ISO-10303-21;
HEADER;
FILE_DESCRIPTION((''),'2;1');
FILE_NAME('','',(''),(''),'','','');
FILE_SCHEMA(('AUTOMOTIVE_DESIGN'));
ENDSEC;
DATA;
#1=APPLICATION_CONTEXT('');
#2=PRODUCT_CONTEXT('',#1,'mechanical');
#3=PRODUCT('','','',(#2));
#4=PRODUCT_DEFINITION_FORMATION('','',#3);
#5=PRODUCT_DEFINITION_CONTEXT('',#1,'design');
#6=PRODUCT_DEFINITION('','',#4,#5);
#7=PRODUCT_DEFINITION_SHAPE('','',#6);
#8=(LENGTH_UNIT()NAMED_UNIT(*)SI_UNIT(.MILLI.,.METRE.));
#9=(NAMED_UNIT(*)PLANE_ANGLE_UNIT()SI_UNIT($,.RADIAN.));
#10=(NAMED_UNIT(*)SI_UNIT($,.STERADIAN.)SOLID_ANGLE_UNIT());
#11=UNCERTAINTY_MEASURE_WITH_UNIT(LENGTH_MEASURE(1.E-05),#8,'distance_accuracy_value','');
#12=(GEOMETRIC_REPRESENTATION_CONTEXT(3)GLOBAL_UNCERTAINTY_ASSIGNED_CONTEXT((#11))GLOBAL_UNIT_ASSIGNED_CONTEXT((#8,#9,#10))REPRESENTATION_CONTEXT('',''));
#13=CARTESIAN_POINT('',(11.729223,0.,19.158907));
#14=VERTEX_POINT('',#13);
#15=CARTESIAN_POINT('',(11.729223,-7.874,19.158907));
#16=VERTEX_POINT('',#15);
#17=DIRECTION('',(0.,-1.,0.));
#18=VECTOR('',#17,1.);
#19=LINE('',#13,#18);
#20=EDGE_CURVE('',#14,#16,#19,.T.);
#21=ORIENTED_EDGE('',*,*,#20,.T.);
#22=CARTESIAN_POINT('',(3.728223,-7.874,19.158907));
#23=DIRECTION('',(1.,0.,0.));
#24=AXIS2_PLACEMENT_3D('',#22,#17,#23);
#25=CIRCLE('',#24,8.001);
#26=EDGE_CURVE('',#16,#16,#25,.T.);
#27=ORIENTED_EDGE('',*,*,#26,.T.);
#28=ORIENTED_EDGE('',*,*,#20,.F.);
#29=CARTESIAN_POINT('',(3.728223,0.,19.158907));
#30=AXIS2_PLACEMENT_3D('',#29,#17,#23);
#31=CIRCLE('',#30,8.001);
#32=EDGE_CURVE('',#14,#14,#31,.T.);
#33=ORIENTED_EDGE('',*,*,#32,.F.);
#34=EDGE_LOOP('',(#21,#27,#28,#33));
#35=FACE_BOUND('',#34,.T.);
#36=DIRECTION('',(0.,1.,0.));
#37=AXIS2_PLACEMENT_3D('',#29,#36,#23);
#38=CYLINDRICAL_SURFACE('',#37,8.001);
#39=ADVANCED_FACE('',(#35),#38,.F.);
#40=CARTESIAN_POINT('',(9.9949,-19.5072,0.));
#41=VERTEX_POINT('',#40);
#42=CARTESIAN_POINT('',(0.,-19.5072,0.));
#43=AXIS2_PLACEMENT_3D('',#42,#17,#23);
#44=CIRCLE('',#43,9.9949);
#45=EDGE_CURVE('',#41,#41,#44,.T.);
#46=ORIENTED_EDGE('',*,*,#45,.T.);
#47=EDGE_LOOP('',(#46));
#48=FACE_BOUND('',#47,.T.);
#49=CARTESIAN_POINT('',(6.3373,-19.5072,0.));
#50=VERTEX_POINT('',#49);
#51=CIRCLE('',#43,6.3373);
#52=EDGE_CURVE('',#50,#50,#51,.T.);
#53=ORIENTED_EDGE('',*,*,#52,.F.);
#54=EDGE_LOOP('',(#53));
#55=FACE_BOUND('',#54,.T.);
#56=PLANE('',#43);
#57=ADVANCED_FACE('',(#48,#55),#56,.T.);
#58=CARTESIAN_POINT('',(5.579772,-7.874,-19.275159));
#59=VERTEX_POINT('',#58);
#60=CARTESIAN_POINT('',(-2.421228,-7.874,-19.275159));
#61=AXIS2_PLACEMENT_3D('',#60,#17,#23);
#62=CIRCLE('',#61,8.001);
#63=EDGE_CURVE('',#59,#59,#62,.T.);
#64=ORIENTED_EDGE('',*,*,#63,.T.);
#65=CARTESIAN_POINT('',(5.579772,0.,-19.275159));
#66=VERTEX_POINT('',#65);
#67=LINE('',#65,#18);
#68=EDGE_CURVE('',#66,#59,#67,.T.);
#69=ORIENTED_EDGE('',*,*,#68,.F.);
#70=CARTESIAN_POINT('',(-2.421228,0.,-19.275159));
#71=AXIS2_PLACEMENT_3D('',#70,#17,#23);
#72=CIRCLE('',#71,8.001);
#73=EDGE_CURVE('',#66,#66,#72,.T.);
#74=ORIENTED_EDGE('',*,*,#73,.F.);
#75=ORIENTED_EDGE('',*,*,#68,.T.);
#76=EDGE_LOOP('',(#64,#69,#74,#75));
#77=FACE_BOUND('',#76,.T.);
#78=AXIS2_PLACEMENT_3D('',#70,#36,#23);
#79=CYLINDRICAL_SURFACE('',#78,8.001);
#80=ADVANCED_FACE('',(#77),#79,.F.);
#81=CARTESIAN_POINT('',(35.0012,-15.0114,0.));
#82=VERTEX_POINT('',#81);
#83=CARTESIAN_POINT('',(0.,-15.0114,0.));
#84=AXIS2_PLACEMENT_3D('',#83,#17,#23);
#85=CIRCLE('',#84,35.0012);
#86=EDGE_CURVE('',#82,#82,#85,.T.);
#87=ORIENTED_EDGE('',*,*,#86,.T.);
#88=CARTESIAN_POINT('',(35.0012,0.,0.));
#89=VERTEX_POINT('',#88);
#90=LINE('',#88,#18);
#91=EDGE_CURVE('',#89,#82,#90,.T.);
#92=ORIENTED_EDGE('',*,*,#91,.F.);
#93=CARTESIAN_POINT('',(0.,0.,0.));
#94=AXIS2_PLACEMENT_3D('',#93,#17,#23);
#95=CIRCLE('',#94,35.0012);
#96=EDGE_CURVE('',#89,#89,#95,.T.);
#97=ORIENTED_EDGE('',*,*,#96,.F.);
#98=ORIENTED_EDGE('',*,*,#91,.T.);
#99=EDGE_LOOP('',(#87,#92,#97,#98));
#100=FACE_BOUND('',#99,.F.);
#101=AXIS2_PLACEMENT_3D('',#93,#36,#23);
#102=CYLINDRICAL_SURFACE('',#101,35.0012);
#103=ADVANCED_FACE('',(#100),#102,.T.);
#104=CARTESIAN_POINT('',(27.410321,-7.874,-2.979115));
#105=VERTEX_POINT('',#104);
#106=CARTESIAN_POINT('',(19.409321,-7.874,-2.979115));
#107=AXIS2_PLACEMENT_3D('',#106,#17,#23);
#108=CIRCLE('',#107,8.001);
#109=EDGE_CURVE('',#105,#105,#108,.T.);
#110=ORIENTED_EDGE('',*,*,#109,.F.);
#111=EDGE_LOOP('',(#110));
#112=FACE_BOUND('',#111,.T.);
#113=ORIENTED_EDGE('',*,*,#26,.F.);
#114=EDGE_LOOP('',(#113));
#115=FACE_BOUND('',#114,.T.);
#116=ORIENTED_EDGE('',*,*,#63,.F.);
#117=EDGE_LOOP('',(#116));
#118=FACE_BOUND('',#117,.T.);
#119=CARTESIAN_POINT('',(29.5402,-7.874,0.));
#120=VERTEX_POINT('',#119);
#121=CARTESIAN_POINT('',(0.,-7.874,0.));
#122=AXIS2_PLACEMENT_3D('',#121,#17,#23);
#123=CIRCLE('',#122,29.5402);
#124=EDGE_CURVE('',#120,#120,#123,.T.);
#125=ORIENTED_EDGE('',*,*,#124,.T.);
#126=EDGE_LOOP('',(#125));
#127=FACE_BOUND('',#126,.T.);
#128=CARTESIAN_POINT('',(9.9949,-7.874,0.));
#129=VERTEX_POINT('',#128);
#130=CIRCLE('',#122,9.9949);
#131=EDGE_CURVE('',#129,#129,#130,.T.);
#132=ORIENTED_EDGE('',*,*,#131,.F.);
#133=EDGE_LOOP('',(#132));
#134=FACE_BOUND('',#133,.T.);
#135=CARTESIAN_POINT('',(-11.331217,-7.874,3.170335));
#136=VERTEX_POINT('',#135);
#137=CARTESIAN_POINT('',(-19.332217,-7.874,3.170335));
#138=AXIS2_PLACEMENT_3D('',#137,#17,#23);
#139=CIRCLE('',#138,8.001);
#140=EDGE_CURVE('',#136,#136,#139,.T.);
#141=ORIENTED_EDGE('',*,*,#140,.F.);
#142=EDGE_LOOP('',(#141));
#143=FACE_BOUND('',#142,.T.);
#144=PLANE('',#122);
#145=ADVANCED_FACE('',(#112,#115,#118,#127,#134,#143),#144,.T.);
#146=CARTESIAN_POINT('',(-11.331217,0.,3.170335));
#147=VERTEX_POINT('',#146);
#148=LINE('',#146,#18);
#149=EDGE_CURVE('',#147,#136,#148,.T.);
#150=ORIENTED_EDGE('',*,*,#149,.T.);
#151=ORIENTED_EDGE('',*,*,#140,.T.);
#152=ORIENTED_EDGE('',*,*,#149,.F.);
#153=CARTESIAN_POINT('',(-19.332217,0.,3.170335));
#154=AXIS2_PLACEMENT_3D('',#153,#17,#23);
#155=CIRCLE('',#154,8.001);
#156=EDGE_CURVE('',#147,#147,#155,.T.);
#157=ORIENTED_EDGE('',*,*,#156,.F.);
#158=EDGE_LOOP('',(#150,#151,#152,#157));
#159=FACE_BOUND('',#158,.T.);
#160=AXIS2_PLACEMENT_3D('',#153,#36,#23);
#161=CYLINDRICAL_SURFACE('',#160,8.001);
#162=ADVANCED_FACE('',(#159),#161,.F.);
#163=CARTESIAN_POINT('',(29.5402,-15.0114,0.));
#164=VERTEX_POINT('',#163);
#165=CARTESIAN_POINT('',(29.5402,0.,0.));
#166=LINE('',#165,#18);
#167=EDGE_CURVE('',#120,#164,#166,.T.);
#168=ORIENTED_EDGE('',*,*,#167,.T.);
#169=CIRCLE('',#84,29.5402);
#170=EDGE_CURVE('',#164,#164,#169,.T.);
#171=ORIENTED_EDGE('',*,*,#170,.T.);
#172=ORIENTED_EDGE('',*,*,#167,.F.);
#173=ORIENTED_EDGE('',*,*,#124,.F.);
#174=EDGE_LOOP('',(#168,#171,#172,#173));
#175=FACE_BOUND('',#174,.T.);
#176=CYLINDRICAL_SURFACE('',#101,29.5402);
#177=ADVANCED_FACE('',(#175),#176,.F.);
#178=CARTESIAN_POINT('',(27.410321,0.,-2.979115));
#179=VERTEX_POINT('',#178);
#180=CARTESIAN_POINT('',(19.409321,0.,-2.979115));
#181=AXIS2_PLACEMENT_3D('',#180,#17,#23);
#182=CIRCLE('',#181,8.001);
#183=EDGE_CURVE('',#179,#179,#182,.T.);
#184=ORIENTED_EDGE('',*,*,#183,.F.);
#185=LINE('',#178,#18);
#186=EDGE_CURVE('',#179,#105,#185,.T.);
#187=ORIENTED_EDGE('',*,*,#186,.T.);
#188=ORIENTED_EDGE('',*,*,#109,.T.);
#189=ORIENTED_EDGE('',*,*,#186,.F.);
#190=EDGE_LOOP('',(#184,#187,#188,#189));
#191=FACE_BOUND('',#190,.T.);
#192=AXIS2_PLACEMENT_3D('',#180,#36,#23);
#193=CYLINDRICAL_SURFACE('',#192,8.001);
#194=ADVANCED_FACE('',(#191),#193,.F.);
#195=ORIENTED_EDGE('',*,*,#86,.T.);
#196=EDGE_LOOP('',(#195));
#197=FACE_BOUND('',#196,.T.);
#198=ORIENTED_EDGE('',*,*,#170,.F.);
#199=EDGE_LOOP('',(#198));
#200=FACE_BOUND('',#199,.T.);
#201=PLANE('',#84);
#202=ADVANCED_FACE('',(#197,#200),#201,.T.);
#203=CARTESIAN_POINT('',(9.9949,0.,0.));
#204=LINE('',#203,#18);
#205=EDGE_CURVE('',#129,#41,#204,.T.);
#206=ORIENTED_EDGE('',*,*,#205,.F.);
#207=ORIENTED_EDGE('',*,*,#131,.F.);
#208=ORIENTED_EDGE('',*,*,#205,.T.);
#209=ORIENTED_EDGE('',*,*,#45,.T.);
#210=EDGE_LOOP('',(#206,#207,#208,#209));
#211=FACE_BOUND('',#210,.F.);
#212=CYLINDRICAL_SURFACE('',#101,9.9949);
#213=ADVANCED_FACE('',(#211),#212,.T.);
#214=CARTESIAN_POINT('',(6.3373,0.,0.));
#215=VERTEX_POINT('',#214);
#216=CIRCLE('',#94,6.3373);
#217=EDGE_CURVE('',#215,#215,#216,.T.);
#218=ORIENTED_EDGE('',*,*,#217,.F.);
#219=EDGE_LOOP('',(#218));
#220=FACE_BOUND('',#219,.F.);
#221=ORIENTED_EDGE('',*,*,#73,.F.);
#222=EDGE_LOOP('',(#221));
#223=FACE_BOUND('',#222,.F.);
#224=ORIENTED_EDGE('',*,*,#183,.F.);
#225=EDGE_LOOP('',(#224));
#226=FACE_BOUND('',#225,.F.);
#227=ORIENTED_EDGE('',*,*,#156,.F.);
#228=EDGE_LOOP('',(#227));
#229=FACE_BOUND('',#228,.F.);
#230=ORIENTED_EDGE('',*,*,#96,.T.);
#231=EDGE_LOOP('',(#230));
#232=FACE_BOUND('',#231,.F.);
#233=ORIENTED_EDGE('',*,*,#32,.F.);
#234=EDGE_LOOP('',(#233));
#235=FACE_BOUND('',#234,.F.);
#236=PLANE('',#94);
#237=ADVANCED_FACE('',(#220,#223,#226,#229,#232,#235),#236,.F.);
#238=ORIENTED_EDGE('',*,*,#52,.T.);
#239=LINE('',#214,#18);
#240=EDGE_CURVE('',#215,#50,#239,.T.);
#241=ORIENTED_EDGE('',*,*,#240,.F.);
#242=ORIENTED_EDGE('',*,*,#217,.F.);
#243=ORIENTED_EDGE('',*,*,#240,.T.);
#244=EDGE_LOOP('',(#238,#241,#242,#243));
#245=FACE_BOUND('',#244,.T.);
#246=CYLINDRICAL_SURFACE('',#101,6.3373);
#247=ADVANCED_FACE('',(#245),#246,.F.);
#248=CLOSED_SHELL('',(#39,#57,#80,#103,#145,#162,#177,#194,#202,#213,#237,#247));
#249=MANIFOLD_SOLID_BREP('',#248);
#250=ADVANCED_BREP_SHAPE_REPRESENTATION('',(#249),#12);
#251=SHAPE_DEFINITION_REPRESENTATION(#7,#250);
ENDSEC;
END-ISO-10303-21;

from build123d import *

# Parameters (mm, degrees)
F0_R     = 9.9949
F0_R_2   = 6.3373
F1_DEPTH = 19.5072
F0_R_3   = 29.5402
F0_R_4   = 8.001
F2_DEPTH = 7.874
F0_R_5   = 35.0012
F3_DEPTH = 15.0114


with BuildPart() as f1:
    # F0 (on Front) → F1 (new body)
    with BuildSketch(Plane.XZ):
        Circle(F0_R)
        Circle(F0_R_2, mode=Mode.SUBTRACT)
    extrude(amount=F1_DEPTH)

    # F0 (on Front) → F2 (join)
    with BuildSketch(Plane.XZ):
        Circle(F0_R_3)
        with Locations((-2.421228, -19.275159)):
            Circle(F0_R_4, mode=Mode.SUBTRACT)
        with Locations((19.409321, -2.979115)):
            Circle(F0_R_4, mode=Mode.SUBTRACT)
        with Locations((-19.332217, 3.170335)):
            Circle(F0_R_4, mode=Mode.SUBTRACT)
        Circle(F0_R, mode=Mode.SUBTRACT)
        with Locations((3.728223, 19.158907)):
            Circle(F0_R_4, mode=Mode.SUBTRACT)
    extrude(amount=F2_DEPTH)

    # F0 (on Front) → F3 (join)
    with BuildSketch(Plane.XZ):
        Circle(F0_R_5)
        Circle(F0_R_3, mode=Mode.SUBTRACT)
    extrude(amount=F3_DEPTH)


solid = f1.part
